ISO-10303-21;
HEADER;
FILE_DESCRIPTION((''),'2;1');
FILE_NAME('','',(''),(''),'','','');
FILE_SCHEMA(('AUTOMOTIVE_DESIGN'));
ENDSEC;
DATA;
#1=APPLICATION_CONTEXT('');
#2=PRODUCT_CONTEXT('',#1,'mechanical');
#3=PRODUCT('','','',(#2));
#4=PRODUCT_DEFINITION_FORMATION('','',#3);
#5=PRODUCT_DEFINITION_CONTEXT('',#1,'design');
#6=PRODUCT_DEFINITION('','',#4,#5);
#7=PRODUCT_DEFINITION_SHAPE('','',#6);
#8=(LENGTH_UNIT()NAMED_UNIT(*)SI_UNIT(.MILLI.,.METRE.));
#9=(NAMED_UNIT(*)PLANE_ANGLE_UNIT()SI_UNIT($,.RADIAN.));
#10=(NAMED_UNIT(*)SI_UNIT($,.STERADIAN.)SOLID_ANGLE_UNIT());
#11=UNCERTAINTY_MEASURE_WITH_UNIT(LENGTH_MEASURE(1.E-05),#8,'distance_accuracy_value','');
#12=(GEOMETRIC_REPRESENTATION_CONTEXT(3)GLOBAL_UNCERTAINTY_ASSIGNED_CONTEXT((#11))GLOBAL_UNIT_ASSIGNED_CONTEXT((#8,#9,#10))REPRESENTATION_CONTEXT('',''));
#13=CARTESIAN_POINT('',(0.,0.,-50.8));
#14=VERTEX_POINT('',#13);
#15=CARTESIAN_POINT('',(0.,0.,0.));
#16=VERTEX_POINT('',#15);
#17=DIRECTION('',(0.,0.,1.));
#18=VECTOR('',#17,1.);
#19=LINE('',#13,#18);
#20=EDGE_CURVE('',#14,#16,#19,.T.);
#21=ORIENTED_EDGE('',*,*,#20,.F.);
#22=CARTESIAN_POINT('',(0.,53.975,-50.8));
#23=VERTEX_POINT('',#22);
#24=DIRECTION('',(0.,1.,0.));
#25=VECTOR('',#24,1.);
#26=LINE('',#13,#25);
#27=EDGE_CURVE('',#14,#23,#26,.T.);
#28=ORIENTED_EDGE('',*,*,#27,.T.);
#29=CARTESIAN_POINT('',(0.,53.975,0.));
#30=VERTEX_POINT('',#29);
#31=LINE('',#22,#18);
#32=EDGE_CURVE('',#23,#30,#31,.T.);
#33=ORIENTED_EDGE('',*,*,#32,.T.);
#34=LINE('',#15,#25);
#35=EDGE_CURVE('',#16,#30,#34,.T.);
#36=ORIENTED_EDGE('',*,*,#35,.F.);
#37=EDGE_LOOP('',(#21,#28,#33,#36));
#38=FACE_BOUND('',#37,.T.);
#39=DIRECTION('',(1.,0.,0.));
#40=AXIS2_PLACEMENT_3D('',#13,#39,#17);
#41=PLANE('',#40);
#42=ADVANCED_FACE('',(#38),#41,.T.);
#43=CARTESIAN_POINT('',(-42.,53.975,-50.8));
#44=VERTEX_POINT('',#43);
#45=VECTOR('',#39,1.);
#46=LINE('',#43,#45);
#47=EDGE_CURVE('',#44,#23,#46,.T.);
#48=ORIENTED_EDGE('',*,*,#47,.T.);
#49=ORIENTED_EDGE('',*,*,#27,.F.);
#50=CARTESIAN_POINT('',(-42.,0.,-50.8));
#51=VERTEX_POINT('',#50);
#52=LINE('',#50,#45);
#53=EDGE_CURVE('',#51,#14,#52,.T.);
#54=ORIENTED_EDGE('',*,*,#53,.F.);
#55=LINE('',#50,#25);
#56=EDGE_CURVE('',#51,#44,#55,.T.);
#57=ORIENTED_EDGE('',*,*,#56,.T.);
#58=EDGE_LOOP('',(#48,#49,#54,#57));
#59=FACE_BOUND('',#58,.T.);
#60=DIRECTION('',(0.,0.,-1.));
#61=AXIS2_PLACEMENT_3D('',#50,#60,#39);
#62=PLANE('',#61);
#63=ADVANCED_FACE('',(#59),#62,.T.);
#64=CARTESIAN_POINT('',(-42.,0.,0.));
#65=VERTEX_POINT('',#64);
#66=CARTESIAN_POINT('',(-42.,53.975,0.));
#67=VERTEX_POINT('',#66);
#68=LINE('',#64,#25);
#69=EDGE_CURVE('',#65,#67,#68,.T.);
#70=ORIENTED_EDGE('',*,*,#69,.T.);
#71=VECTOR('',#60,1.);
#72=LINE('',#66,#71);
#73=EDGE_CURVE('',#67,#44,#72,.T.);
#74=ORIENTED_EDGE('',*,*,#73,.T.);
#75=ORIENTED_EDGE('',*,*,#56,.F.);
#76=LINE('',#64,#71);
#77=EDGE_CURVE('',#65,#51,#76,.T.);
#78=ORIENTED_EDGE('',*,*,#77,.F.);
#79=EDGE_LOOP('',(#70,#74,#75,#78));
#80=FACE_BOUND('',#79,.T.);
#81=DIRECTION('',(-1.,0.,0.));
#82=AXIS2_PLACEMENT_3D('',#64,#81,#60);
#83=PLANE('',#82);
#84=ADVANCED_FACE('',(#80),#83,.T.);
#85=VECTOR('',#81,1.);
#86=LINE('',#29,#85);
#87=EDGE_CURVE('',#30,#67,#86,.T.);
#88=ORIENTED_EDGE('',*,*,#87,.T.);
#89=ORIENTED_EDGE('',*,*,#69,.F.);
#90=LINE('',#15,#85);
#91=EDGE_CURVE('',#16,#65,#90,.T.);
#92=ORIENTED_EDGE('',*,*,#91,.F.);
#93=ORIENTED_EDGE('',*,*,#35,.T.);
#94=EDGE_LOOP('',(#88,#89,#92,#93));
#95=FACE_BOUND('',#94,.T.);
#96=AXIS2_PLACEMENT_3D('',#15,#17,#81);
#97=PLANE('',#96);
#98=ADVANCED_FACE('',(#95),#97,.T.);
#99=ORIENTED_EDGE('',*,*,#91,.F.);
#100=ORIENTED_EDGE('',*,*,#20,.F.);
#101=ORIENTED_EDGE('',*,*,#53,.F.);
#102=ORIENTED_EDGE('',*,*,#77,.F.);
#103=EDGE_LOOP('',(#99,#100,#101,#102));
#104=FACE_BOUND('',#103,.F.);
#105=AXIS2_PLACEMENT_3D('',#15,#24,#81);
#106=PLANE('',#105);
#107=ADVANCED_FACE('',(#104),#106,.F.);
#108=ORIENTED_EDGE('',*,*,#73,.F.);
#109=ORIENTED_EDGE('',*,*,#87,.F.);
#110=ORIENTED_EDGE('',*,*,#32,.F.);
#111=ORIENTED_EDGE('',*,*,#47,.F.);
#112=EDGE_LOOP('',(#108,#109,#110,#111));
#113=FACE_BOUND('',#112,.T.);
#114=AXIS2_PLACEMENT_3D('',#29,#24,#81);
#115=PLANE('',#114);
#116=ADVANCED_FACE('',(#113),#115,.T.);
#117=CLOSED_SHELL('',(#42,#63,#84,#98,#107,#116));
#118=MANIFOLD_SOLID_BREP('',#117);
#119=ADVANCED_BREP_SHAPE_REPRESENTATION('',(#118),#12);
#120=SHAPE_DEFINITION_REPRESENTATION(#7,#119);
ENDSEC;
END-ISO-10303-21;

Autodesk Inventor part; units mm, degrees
ref_plane "YZ Plane" through (0, 0, 0) normal (1, 0, 0) x (0, 1, 0)
ref_plane "XZ Plane" through (0, 0, 0) normal (0, 1, 0) x (-1, 0, 0)
ref_plane "XY Plane" through (0, 0, 0) normal (0, 0, 1) x (1, 0, 0)
sketch "Sketch1" plane through (0, 0, 0) normal (0, 1, 0) x (-1, 0, 0)
  line L0 (0, 0) -> (42, 0)
  line L1 (42, 0) -> (42, -50.8)
  line L2 (42, -50.8) -> (0, -50.8)
  line L3 (0, -50.8) -> (0, 0)
  dimension "d0" = 42
  dimension "d1" = 50.8
extrude "Extrusion1" add sketch "Sketch1" along normal blind 53.975
properties part number "24vTerminal"
